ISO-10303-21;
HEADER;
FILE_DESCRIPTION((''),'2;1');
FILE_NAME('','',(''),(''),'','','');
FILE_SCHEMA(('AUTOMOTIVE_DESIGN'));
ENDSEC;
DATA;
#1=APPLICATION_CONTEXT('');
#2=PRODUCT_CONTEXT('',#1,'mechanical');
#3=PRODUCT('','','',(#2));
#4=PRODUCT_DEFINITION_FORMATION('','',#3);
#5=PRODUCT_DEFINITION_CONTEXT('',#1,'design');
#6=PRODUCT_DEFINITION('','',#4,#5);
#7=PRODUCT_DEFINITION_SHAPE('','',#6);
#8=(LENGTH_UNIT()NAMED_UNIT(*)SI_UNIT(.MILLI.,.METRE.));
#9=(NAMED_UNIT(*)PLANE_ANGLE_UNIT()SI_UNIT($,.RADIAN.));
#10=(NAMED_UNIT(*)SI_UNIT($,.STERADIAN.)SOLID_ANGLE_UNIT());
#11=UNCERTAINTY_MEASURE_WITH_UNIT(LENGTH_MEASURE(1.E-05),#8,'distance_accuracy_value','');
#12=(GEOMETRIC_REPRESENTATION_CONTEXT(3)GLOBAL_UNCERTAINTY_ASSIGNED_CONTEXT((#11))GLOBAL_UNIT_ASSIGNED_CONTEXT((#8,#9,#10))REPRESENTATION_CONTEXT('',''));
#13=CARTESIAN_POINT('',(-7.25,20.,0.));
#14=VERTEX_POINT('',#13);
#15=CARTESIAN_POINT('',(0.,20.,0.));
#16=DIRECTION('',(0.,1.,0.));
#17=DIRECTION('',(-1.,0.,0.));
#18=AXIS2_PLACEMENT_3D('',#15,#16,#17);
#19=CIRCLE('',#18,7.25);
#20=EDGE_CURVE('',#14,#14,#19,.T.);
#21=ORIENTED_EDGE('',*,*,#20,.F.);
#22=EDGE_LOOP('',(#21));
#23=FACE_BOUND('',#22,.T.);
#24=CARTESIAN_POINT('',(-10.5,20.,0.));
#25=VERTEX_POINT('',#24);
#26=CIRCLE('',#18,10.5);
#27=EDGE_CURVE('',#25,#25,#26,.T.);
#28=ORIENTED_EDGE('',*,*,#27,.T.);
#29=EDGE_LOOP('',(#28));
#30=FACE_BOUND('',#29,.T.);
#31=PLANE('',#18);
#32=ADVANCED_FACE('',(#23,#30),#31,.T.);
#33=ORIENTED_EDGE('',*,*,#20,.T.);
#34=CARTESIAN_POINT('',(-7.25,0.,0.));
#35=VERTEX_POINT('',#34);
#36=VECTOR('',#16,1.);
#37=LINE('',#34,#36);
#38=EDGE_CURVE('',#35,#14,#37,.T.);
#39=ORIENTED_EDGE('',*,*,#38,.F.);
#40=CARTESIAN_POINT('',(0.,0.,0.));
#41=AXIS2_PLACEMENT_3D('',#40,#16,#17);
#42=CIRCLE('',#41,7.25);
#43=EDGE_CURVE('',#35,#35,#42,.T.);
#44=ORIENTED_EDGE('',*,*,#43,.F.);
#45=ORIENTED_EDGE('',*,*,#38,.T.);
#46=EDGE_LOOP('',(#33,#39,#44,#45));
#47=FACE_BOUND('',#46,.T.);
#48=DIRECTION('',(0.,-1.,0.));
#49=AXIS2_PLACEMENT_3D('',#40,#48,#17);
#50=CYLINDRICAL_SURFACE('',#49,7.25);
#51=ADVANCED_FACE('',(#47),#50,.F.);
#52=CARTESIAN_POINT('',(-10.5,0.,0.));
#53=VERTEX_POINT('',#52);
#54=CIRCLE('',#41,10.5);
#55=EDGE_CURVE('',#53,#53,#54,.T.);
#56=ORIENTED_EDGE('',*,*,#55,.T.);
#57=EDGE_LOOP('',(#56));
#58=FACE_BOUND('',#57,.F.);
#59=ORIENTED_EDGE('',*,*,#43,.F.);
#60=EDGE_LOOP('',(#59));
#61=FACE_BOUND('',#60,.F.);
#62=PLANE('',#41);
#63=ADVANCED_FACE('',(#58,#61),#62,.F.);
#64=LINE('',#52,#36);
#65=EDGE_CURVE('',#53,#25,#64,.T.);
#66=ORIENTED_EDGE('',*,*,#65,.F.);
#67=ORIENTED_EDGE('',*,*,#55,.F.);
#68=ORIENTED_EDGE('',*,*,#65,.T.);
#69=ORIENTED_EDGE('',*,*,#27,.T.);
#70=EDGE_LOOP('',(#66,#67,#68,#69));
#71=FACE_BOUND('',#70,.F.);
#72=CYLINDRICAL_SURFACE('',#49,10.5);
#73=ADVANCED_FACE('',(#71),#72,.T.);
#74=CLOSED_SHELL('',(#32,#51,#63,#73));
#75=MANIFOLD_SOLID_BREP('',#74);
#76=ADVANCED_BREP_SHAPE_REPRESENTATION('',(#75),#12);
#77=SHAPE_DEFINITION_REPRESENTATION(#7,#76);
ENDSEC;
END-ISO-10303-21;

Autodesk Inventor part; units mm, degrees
ref_plane "YZ Plane" through (0, 0, 0) normal (1, 0, 0) x (0, 1, 0)
ref_plane "XZ Plane" through (0, 0, 0) normal (0, 1, 0) x (-1, 0, 0)
ref_plane "XY Plane" through (0, 0, 0) normal (0, 0, 1) x (1, 0, 0)
sketch "スケッチ1" plane through (0, 0, 0) normal (0, 1, 0) x (-1, 0, 0)
  circle A0 centre (0, 0) radius 7.25
  circle A1 centre (0, 0) radius 10.5
  dimension "d0" = 14.5
  dimension "d1" = 21
extrude "押し出し1" add sketch "スケッチ1" along normal blind 20
properties part number "知能ロボコンシリンダスペーサ"
